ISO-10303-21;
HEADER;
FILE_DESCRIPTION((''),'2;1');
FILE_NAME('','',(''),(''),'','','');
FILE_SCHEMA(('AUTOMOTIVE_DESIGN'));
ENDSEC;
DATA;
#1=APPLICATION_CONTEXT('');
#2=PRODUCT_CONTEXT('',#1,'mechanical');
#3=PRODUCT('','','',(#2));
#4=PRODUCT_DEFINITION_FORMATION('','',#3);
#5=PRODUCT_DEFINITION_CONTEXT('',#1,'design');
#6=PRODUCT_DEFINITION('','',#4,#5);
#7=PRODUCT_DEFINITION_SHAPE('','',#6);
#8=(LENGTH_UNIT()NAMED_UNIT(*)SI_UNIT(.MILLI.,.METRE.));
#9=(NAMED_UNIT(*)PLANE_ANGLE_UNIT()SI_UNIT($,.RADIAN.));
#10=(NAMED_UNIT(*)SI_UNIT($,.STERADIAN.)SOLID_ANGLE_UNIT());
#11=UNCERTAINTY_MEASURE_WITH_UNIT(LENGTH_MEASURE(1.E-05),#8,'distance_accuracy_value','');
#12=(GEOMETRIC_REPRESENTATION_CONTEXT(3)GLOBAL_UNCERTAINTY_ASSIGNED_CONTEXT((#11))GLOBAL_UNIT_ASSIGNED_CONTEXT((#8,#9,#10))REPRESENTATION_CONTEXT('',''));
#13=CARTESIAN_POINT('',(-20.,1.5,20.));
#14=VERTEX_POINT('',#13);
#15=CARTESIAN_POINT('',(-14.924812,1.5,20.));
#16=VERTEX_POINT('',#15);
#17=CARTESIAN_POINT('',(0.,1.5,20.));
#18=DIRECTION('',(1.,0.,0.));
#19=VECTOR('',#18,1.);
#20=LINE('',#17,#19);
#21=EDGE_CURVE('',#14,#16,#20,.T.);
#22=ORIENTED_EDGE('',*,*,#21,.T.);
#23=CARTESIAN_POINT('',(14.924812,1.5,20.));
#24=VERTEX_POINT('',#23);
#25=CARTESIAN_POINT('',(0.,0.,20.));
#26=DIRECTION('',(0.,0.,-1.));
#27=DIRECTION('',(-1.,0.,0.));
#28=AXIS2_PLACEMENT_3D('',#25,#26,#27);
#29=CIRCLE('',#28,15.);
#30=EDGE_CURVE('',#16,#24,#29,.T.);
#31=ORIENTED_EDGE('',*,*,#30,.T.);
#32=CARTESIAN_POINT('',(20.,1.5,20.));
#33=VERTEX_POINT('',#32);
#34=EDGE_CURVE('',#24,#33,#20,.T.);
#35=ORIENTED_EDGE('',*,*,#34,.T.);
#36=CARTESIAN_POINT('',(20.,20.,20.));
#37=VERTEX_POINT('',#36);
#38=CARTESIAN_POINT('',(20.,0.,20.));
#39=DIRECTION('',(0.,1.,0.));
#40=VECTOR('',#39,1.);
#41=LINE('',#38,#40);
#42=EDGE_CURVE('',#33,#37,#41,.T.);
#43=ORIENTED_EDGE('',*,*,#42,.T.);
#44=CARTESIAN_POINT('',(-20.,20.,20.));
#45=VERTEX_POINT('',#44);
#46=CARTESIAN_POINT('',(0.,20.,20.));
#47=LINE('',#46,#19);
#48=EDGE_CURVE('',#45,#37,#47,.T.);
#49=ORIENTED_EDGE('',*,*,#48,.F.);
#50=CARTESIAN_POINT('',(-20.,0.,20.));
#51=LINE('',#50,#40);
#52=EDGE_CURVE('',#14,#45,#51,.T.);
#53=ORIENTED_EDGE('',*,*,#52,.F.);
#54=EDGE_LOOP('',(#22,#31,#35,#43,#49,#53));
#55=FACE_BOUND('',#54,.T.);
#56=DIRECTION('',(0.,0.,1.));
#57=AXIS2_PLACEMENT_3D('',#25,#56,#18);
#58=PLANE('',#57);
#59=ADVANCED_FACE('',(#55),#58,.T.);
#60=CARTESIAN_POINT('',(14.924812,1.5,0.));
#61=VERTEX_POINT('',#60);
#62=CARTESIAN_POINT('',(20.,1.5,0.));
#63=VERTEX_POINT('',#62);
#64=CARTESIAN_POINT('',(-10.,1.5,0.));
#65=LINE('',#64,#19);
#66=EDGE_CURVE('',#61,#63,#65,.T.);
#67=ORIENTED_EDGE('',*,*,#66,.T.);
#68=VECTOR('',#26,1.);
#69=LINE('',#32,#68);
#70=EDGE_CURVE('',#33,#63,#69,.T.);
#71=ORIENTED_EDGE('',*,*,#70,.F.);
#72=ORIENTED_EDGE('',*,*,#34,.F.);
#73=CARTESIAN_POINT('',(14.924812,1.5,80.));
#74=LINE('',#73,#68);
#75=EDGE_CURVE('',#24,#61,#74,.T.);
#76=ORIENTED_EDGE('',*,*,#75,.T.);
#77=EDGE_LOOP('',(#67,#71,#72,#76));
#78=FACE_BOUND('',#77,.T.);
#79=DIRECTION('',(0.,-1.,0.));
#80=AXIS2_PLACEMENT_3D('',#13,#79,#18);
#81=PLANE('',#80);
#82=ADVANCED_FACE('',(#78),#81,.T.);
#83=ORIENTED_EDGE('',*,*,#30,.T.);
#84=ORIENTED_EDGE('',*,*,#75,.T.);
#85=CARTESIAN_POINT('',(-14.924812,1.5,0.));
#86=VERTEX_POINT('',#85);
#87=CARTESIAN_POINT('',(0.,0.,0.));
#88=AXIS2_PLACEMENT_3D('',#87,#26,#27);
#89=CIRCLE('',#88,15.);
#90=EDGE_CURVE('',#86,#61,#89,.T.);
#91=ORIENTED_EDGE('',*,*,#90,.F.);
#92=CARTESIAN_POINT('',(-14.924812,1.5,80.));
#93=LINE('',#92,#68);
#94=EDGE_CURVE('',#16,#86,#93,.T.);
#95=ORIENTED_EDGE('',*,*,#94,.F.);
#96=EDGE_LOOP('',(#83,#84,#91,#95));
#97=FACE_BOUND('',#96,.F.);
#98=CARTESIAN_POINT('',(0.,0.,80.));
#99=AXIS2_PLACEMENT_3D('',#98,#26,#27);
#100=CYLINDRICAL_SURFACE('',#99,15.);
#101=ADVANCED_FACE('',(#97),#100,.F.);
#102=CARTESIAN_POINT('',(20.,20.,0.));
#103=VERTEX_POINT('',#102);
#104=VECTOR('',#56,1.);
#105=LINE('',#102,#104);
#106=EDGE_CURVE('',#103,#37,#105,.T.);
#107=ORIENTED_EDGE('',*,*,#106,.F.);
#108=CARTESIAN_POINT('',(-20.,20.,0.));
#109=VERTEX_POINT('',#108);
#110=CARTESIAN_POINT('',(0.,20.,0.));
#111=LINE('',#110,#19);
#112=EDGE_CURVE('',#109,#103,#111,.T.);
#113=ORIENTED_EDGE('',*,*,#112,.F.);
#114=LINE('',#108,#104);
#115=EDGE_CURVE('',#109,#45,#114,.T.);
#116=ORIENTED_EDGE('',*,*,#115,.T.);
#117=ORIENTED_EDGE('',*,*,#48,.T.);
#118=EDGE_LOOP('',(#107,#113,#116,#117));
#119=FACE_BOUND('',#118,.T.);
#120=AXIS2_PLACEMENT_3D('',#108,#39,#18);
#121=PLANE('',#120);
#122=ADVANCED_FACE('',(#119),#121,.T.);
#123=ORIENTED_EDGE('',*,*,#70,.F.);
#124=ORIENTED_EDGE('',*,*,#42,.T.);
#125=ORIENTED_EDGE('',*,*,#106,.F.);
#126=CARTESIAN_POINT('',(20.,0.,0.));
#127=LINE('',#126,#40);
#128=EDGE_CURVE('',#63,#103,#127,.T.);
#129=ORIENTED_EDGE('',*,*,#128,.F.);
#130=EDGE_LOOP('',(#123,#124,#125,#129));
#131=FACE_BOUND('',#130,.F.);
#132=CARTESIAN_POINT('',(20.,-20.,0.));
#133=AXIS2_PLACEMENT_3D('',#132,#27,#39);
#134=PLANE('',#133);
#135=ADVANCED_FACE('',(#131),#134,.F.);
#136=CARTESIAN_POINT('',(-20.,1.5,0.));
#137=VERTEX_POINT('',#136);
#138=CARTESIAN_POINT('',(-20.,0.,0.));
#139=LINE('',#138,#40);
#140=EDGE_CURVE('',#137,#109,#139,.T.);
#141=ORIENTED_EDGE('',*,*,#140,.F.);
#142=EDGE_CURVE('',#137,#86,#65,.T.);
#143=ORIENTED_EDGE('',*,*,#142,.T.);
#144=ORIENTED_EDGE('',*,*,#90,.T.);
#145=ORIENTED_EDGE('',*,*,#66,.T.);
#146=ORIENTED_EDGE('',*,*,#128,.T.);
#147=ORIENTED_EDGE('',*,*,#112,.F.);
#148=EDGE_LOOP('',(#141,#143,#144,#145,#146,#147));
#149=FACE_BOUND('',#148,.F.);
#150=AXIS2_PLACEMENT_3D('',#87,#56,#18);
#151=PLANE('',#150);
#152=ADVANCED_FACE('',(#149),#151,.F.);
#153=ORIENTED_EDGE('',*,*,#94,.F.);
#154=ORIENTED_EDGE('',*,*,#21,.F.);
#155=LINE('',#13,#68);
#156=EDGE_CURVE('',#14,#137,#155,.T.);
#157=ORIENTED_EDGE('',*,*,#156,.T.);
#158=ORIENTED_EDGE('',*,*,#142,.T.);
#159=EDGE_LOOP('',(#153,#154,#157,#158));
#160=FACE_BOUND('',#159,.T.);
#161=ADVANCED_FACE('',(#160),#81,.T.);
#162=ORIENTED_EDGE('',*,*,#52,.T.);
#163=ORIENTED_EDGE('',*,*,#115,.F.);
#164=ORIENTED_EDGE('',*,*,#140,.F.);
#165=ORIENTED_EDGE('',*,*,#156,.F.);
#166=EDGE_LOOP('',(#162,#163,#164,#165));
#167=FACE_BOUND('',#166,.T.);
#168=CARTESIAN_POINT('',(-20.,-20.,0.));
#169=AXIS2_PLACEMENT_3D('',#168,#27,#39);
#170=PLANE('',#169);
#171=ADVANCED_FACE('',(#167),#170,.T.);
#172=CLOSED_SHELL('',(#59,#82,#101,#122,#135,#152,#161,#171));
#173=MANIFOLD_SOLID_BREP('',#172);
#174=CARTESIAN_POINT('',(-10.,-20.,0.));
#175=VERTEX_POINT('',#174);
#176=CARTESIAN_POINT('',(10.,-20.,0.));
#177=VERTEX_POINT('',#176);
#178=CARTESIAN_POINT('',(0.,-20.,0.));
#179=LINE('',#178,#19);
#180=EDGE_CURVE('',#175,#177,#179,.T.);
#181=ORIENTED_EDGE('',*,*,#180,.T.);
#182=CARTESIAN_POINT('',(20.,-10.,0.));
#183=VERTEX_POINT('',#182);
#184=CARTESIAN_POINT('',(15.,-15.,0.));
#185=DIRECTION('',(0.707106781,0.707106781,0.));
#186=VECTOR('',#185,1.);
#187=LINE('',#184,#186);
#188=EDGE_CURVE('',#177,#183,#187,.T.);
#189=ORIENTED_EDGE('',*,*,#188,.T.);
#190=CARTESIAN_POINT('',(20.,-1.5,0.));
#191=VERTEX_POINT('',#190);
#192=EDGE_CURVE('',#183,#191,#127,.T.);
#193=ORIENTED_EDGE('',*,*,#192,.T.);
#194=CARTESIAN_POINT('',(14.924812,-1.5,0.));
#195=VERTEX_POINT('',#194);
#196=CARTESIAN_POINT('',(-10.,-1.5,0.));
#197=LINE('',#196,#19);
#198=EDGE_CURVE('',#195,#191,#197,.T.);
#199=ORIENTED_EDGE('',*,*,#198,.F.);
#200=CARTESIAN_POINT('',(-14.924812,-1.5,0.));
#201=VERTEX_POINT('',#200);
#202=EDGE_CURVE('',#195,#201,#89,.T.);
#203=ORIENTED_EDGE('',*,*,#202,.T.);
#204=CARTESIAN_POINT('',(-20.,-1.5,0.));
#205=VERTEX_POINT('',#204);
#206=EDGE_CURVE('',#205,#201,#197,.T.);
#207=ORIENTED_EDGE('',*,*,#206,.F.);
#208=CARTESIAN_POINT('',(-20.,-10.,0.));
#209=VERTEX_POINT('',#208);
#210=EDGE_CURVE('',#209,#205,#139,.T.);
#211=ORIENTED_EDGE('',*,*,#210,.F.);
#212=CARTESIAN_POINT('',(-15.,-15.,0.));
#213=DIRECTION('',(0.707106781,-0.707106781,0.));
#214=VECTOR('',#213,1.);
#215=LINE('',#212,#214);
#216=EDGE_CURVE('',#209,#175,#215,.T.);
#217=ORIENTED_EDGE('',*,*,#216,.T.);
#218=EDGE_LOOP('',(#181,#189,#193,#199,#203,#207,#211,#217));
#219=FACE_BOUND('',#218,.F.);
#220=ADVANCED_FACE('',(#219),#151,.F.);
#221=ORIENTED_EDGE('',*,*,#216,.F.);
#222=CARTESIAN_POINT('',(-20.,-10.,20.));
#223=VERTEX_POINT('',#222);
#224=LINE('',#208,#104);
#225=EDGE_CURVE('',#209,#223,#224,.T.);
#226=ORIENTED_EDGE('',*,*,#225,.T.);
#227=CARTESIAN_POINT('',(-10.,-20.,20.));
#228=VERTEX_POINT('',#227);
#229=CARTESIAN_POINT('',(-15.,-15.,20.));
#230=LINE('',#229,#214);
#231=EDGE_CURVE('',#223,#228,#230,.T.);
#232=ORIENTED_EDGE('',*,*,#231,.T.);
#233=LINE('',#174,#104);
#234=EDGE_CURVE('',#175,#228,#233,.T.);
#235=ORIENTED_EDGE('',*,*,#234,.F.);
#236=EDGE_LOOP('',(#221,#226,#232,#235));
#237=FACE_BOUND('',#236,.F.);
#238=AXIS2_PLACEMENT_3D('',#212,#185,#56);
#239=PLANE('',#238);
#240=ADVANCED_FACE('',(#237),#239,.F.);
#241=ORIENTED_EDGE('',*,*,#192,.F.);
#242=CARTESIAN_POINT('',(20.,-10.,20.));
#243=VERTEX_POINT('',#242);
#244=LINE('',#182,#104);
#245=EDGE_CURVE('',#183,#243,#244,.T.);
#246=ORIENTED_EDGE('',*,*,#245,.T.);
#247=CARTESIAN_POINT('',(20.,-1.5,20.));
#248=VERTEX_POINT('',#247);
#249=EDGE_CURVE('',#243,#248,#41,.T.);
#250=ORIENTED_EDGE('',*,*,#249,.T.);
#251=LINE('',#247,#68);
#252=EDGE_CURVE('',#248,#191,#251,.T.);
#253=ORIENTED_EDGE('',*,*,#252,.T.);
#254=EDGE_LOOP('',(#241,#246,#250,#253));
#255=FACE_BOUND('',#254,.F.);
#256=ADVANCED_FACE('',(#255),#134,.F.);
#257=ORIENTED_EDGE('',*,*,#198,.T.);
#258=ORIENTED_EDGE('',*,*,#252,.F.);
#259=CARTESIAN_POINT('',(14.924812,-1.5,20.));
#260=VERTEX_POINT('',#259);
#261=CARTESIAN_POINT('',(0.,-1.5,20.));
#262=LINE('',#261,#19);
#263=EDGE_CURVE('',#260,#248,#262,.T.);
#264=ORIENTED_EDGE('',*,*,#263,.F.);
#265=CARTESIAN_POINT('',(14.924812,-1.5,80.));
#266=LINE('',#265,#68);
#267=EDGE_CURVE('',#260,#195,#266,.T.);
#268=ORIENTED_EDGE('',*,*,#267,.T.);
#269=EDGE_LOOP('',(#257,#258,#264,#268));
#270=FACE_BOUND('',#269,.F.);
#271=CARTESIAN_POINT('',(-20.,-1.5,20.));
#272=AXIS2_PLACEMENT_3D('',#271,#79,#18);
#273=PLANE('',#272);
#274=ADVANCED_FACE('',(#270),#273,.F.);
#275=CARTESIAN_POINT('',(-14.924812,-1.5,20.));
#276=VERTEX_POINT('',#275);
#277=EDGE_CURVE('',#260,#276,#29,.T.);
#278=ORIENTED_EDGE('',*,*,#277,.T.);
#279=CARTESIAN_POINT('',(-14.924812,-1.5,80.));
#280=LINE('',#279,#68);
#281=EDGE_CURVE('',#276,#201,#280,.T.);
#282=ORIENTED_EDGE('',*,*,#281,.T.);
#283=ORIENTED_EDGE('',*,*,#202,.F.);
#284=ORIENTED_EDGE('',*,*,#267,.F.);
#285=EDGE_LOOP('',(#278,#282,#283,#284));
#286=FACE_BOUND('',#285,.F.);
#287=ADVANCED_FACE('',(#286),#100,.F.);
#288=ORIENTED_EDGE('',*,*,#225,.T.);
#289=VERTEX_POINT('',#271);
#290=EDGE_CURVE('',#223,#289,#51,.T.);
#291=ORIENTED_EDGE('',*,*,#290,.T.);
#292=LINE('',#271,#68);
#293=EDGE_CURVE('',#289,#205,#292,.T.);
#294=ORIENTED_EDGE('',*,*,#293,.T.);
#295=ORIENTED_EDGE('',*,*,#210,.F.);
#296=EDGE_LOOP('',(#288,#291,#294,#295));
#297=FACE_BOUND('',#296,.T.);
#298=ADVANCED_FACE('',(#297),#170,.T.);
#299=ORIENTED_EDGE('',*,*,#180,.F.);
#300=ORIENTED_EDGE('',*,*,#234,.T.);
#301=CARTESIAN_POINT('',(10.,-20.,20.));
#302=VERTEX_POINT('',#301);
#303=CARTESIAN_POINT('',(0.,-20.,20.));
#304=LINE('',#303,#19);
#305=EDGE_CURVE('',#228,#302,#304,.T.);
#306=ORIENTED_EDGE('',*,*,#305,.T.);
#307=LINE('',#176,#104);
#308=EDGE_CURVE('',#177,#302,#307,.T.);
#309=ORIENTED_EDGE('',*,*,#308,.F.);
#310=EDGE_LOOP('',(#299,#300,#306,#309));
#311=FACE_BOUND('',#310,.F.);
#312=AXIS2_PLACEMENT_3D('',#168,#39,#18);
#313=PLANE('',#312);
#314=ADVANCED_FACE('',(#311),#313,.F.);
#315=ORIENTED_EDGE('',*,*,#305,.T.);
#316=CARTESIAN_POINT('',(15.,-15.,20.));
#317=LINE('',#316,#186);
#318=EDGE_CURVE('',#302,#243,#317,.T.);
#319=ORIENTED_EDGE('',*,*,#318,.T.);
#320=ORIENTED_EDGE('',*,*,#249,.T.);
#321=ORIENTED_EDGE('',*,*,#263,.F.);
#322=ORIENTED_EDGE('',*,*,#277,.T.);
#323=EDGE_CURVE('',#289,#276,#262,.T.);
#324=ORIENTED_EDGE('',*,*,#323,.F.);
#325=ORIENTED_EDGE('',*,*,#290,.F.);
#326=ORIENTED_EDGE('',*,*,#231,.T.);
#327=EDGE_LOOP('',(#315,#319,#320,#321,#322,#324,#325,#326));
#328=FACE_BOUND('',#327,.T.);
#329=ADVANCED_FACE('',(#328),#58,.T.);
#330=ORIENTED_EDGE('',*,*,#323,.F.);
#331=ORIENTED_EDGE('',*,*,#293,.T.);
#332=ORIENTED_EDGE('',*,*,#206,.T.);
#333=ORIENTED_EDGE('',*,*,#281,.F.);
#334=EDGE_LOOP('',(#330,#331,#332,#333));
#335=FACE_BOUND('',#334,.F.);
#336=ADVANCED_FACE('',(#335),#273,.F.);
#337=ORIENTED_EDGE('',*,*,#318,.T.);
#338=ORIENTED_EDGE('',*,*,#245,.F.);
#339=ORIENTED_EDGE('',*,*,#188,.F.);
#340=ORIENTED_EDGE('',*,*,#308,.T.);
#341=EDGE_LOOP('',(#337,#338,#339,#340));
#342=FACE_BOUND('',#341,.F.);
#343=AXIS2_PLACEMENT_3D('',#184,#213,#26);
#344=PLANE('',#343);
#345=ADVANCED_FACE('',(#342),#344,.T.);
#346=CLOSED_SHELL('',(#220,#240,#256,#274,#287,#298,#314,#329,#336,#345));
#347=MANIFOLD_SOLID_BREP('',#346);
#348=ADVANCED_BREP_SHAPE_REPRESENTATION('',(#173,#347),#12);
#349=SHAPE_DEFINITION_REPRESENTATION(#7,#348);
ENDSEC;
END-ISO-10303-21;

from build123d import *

# Parameters (mm, degrees)
F0_W     = 40
F0_H     = 40
F1_DEPTH = 20
F3_D     = 30
F4_W     = 40
F4_H     = 3
F5_DEPTH = 25
F6_SIZE  = 10


with BuildPart() as f1:
    # F0 (on Top) → F1 (new body)
    with BuildSketch(Plane.XY):
        Rectangle(F0_W, F0_H)
    extrude(amount=F1_DEPTH)

    # F3 (through all)
    with Locations(Plane.XY.offset(20)):
        with Locations((0, 0)):
            Hole(F3_D / 2)

    # F4 (on face) → F5 (cut)
    with BuildSketch(Plane.XY.offset(20)):
        Rectangle(F4_W, F4_H)
    extrude(amount=-F5_DEPTH, mode=Mode.SUBTRACT)

    # F6
    f6_edges = [f1.edges().sort_by_distance(p)[0] for p in [
        (-20, -20, 10),
        (20, -20, 10),
    ]]
    chamfer(f6_edges, length=F6_SIZE)


solid = f1.part
